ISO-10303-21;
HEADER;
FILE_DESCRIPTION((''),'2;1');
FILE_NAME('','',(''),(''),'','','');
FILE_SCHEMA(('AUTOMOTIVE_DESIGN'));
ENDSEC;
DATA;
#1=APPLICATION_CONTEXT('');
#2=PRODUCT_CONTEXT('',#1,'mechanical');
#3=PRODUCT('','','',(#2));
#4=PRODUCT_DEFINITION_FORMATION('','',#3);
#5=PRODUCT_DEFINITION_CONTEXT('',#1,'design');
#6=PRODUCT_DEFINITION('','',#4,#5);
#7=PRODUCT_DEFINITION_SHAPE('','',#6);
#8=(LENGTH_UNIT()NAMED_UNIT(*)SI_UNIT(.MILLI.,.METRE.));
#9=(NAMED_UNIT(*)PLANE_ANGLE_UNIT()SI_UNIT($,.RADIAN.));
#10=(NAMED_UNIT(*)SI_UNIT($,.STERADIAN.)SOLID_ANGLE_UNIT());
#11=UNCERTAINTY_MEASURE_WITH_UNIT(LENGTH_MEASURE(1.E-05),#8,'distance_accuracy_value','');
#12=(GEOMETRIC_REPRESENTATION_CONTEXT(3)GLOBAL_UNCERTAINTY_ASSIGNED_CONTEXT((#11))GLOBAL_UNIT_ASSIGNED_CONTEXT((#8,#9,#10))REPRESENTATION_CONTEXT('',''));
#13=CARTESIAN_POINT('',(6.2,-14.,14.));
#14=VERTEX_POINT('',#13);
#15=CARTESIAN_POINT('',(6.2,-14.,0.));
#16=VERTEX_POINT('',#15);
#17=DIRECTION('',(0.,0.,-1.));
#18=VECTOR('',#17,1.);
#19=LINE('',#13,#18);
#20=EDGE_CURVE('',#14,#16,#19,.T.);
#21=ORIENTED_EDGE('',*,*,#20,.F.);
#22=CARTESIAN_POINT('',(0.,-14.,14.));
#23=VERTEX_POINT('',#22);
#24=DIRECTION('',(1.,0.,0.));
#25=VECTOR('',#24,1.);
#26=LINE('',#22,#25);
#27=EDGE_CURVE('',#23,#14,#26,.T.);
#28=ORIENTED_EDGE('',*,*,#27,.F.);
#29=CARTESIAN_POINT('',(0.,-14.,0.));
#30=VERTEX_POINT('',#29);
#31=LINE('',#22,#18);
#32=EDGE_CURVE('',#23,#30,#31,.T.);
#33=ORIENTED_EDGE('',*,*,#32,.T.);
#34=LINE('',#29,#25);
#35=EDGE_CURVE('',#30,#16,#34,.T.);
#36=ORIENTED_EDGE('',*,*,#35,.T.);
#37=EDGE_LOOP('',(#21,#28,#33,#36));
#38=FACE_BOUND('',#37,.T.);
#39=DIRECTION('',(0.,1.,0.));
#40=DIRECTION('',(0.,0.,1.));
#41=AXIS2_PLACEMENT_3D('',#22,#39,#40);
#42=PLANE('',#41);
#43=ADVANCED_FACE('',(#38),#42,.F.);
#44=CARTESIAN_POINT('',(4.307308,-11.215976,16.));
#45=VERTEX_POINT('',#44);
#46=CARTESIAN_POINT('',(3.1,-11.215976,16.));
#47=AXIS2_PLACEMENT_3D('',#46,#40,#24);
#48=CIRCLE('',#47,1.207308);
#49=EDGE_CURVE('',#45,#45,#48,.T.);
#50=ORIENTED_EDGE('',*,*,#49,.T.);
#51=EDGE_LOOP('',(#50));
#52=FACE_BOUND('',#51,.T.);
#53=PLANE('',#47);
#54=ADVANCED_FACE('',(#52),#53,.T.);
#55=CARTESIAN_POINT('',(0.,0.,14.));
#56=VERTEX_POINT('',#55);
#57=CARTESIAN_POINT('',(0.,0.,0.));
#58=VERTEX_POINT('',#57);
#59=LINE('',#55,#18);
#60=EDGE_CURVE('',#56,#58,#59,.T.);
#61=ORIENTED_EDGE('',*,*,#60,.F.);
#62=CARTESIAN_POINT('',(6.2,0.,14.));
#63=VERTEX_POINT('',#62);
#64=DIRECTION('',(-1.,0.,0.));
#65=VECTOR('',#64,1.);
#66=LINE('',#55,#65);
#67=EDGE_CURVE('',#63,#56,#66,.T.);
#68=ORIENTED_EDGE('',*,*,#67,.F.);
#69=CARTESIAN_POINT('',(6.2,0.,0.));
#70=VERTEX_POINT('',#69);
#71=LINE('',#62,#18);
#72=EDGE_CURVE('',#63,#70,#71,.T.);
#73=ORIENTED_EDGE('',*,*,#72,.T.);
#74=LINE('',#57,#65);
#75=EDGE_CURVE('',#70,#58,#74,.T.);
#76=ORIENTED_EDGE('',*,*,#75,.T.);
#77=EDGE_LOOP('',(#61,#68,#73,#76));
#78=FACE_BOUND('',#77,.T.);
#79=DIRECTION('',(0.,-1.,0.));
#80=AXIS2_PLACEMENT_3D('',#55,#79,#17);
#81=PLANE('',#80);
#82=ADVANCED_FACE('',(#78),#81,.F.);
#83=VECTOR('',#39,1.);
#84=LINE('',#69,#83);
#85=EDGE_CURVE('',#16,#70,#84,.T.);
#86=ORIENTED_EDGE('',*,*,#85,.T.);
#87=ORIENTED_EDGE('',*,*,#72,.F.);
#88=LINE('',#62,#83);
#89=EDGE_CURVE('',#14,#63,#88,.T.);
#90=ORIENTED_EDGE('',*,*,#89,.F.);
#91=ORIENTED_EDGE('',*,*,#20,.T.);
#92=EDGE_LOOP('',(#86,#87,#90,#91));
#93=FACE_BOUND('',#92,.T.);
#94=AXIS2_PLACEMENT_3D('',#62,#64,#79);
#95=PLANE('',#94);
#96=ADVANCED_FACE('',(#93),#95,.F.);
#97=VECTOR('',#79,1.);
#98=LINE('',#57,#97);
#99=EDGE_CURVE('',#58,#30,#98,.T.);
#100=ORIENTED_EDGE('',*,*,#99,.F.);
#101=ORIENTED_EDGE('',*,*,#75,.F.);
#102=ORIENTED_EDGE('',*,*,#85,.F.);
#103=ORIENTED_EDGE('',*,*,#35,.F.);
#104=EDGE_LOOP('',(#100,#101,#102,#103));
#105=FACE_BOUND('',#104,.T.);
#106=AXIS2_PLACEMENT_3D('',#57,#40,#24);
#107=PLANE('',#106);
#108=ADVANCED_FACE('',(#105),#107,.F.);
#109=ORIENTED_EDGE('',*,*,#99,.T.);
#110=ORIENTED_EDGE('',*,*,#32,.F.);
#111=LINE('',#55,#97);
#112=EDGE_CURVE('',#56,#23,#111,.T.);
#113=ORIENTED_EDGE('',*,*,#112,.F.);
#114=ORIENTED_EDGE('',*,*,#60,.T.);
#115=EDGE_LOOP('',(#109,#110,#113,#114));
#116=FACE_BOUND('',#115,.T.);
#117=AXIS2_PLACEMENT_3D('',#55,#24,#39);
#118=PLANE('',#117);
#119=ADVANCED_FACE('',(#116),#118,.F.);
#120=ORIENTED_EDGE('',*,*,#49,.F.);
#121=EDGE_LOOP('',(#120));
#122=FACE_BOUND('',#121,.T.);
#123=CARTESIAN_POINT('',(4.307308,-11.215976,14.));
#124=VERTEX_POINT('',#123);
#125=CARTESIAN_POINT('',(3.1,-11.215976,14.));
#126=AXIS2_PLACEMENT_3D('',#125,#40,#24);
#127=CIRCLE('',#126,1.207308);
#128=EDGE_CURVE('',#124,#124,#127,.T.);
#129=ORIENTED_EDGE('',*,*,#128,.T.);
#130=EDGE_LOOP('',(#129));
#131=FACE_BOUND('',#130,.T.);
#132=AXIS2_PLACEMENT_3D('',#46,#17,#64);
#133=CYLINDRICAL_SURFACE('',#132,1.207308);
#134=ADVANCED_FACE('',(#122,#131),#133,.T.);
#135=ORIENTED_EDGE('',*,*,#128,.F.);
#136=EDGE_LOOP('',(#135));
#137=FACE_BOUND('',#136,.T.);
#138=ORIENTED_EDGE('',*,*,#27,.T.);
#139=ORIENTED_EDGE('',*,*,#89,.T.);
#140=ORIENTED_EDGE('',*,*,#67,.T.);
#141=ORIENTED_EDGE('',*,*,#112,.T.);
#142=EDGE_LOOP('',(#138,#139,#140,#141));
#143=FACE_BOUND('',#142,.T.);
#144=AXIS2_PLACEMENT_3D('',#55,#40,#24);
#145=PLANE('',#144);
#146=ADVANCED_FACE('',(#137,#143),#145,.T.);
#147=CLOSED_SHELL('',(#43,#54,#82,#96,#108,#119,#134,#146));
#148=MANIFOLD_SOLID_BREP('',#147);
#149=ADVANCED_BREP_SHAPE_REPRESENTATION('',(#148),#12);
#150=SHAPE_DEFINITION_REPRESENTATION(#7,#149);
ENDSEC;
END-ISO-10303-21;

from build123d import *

# Parameters (mm, degrees)
SKETCH1_W           = 6.2
SKETCH1_H           = 14
BOSS_EXTRUDE1_DEPTH = 14
SKETCH3_R           = 1.207307889
BOSS_EXTRUDE2_DEPTH = 2


with BuildPart() as part:
    # Sketch1 → Boss-Extrude1 (new body)
    with BuildSketch(Plane.XY):
        with Locations((3.1, -7)):
            Rectangle(SKETCH1_W, SKETCH1_H)
    extrude(amount=BOSS_EXTRUDE1_DEPTH)

    # Sketch3 → Boss-Extrude2 (add)
    with BuildSketch(Plane.XY.offset(14)):
        with Locations((3.1, -11.215976381)):
            Circle(SKETCH3_R)
    extrude(amount=BOSS_EXTRUDE2_DEPTH)


solid = part.part
